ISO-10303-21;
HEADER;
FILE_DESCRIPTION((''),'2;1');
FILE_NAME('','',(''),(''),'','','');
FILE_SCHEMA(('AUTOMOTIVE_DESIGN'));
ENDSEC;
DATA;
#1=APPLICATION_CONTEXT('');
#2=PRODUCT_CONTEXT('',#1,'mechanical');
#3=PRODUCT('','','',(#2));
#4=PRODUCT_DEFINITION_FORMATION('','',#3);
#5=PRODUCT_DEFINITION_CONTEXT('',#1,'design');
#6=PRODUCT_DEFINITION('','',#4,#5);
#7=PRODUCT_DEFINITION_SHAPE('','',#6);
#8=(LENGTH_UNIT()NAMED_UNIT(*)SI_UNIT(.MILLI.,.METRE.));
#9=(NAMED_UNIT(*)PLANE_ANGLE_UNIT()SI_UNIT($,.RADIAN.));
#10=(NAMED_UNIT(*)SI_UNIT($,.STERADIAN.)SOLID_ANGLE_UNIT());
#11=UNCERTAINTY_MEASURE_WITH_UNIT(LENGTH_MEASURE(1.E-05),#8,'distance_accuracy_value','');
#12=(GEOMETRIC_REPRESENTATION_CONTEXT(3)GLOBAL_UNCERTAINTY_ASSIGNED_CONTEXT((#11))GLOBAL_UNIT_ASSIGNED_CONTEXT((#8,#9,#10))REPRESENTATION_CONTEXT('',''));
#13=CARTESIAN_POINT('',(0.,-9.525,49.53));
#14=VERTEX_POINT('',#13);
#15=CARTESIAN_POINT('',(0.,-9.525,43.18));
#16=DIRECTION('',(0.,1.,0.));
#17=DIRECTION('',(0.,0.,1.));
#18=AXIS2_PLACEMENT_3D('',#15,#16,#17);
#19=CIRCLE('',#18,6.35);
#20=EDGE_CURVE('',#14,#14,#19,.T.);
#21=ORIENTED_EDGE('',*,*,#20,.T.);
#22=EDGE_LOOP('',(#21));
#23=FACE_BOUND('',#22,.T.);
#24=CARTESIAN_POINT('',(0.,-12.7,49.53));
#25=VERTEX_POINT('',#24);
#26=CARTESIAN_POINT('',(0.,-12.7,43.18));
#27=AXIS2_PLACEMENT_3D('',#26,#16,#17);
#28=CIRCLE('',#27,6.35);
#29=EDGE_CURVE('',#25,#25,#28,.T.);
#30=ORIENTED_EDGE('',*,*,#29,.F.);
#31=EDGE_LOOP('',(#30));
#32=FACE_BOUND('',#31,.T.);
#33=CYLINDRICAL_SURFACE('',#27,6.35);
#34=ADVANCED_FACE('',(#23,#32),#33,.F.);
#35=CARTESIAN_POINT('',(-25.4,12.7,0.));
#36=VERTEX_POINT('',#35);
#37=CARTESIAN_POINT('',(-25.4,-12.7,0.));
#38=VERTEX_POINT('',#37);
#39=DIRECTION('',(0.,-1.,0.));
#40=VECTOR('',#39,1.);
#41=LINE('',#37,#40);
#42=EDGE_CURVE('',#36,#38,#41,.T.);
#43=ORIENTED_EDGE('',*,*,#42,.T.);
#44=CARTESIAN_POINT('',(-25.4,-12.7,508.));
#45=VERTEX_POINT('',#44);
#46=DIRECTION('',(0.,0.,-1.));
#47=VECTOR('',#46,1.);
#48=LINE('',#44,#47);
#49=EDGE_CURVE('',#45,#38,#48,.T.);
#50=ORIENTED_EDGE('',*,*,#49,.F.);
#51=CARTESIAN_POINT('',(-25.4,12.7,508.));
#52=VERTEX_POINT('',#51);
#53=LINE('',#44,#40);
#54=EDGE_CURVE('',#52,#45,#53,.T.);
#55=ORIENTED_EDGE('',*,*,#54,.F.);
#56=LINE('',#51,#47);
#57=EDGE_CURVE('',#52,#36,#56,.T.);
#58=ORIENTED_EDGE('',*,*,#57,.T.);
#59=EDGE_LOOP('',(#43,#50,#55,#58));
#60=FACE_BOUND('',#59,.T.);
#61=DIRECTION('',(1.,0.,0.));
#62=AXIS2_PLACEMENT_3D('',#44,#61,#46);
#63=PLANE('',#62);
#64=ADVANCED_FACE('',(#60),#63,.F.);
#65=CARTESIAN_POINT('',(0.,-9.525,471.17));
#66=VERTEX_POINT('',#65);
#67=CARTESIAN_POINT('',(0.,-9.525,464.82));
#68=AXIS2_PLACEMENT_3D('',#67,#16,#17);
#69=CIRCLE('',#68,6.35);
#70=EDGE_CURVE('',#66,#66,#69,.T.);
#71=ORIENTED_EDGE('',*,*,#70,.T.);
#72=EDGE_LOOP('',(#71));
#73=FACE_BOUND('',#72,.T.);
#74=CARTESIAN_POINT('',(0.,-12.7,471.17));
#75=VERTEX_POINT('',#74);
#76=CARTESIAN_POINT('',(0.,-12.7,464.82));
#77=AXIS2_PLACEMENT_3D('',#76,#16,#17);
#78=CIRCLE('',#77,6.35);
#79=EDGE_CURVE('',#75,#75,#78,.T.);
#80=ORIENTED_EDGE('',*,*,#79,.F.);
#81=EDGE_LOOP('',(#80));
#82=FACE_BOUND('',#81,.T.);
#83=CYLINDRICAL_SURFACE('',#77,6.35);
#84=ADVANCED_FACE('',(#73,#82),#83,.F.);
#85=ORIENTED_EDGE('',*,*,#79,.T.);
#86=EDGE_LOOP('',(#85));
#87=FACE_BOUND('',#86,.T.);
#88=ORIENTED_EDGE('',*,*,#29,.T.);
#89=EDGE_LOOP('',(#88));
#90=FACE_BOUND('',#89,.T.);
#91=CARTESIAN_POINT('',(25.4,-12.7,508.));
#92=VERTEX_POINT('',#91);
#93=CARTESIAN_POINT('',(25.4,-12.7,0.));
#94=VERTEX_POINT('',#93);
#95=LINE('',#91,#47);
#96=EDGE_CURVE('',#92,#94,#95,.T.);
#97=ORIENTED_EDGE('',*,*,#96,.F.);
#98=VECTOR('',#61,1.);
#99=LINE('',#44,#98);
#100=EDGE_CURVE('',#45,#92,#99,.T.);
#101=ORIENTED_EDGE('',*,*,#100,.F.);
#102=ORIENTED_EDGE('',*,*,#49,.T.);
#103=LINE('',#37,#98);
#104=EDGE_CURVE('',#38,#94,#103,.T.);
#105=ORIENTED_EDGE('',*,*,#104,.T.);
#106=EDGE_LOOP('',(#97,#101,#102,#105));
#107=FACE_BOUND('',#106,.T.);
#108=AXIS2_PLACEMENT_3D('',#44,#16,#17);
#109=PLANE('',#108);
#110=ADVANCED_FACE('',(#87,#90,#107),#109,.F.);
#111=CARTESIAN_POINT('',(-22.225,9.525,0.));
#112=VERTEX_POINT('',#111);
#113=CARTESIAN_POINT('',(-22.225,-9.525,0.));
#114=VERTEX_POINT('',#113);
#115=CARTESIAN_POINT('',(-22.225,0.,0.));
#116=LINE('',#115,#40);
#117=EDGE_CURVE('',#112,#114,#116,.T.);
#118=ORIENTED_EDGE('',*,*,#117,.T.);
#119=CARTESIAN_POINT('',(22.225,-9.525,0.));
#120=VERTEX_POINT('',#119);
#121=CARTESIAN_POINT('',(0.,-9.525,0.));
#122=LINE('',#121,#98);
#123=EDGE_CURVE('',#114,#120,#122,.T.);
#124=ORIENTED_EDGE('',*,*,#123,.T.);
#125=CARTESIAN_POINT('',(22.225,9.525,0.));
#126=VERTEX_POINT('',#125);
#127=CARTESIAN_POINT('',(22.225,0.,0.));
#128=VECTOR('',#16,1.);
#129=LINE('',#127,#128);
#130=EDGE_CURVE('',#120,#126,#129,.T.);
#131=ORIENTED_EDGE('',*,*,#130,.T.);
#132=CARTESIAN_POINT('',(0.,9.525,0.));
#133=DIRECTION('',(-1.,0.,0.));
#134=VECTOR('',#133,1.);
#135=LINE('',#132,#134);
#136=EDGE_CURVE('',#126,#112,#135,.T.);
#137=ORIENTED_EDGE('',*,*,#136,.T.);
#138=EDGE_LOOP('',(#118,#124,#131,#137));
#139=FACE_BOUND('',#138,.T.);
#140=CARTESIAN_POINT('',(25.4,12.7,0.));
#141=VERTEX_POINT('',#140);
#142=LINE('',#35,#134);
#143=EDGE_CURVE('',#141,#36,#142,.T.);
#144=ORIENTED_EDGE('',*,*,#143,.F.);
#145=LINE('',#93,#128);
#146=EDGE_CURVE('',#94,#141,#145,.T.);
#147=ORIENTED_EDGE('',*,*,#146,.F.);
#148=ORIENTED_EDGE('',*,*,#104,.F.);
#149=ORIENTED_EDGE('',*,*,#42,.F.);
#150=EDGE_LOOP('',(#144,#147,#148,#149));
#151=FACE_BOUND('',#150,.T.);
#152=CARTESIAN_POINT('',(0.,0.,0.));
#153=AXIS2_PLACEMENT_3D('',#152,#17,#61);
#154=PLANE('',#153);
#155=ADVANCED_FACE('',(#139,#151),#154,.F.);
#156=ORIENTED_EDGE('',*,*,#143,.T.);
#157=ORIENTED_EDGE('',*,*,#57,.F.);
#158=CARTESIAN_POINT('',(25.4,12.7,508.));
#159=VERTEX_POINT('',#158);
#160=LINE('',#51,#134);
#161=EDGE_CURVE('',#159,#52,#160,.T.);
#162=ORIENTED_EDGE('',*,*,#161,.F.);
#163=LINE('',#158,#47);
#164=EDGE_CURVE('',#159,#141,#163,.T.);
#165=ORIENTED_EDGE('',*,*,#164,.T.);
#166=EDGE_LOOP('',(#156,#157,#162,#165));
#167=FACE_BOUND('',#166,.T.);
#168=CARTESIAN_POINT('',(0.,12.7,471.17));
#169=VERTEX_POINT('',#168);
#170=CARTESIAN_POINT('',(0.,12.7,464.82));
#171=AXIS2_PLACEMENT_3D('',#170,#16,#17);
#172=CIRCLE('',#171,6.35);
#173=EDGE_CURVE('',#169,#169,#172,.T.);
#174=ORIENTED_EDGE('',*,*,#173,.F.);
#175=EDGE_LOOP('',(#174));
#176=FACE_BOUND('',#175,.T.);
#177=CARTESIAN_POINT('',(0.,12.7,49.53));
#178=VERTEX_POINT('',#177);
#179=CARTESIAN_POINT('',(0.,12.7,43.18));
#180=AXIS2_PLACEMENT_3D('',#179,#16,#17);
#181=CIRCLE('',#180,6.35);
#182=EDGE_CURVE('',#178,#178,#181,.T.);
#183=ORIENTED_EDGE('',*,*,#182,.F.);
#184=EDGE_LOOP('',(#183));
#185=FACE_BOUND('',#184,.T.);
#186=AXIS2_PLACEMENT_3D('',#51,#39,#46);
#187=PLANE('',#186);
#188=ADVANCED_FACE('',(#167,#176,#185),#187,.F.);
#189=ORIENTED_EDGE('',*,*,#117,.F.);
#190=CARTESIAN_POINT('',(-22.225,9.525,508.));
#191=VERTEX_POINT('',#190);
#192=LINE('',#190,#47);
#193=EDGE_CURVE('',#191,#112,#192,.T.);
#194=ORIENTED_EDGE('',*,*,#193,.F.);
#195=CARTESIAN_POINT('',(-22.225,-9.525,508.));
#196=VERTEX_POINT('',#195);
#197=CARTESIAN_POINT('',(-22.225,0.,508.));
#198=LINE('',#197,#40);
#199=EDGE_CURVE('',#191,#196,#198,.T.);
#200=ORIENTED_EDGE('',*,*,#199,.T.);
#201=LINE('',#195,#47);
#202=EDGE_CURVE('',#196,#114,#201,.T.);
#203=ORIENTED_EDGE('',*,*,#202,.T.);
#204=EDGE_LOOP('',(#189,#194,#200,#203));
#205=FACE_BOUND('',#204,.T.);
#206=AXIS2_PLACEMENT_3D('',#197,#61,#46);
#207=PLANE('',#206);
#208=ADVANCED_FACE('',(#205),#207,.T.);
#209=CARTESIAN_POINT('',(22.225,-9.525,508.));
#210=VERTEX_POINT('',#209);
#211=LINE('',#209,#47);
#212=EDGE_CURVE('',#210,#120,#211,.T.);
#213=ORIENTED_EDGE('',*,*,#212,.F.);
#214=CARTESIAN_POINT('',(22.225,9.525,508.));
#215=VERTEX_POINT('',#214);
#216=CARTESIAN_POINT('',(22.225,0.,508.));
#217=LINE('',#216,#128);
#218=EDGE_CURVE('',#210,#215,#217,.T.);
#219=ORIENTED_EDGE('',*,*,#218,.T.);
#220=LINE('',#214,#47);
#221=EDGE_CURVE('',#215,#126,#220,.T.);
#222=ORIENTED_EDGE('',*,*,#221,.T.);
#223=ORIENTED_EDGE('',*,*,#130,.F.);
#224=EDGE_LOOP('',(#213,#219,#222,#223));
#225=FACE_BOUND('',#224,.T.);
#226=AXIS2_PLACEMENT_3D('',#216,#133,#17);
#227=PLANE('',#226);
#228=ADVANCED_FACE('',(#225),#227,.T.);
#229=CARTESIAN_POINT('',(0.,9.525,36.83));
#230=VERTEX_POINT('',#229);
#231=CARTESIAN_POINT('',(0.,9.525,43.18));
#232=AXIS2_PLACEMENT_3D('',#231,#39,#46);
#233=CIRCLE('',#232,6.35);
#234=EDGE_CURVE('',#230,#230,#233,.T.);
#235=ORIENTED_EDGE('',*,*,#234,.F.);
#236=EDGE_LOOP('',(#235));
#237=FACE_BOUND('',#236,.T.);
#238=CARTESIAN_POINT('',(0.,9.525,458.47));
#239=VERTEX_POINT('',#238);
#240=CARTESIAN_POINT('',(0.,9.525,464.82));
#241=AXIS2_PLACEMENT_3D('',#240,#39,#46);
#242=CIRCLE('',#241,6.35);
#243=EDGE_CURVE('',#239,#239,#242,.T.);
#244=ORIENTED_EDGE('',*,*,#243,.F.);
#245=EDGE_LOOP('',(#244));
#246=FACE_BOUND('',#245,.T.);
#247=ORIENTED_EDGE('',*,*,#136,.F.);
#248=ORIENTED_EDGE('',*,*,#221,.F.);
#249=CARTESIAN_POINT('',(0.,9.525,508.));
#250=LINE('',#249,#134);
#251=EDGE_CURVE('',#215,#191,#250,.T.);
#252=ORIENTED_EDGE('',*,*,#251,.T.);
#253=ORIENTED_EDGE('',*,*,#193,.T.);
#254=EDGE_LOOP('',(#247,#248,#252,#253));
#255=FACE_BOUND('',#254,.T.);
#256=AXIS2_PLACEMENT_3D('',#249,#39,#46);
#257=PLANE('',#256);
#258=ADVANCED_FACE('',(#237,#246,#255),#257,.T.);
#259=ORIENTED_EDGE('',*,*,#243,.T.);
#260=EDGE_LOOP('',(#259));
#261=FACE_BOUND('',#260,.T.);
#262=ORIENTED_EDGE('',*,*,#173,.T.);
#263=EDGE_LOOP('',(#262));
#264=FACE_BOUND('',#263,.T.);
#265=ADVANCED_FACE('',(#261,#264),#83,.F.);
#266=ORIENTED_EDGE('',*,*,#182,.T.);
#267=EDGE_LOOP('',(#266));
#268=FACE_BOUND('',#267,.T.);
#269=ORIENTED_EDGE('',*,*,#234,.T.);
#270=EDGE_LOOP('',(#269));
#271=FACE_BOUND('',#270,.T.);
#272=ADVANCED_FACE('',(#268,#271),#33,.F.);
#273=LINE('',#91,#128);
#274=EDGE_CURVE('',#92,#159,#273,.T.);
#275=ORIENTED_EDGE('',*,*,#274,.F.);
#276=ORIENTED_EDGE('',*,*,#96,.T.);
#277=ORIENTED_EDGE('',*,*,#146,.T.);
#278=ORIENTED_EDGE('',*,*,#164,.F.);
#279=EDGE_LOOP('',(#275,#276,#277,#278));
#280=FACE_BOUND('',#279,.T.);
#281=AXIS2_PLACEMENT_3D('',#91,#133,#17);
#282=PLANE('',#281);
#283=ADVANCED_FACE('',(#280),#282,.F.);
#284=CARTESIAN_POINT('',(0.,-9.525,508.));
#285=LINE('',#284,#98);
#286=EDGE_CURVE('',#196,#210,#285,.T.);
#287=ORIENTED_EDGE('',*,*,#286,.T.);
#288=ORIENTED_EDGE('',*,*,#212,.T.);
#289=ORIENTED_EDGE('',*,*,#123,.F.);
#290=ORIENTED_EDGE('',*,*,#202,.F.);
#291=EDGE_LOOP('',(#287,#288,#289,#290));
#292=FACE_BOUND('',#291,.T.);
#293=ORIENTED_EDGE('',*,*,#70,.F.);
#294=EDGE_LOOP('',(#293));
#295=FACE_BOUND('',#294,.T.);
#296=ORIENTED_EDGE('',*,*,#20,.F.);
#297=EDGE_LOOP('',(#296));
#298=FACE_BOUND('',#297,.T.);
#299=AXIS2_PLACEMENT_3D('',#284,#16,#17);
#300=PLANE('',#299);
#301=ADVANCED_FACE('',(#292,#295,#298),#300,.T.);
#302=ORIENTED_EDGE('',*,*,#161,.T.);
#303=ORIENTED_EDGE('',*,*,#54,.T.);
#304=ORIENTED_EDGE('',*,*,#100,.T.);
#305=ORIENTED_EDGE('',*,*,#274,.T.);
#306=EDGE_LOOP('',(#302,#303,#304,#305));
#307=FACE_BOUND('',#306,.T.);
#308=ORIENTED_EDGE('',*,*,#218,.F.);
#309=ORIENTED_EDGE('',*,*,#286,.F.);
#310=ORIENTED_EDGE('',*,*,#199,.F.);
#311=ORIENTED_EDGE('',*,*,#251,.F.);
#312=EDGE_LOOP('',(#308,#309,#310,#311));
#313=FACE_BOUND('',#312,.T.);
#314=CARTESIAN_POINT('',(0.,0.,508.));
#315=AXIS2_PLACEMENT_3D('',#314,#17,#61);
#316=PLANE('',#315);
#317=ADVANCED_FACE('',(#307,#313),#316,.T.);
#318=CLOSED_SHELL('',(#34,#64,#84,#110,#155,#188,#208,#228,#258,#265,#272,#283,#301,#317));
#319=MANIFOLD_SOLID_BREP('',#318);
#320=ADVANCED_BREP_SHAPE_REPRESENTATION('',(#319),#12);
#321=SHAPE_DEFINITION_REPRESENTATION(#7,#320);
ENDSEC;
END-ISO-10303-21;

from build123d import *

# Parameters (mm, degrees)
SKETCH1_W           = 50.8
SKETCH1_H           = 25.4
SKETCH1_W_2         = 44.45
SKETCH1_H_2         = 19.05
EXTRUDE_THIN1_DEPTH = 508
SKETCH2_R           = 6.35
CUT_EXTRUDE1_DEPTH  = 26.4


with BuildPart() as part:
    # Sketch1 → Extrude-Thin1 (new body)
    with BuildSketch(Plane.XY):
        Rectangle(SKETCH1_W, SKETCH1_H)
        Rectangle(SKETCH1_W_2, SKETCH1_H_2, mode=Mode.SUBTRACT)
    extrude(amount=EXTRUDE_THIN1_DEPTH)

    # Sketch2 → Cut-Extrude1 (cut, through all)
    with BuildSketch(Plane(origin=(0, 12.7, 0), x_dir=(1, 0, 0), z_dir=(0, 1, 0))):
        with Locations((0, -464.82)):
            Circle(SKETCH2_R)
        with Locations((0, -43.18)):
            Circle(SKETCH2_R)
    extrude(amount=-CUT_EXTRUDE1_DEPTH, mode=Mode.SUBTRACT)


solid = part.part
